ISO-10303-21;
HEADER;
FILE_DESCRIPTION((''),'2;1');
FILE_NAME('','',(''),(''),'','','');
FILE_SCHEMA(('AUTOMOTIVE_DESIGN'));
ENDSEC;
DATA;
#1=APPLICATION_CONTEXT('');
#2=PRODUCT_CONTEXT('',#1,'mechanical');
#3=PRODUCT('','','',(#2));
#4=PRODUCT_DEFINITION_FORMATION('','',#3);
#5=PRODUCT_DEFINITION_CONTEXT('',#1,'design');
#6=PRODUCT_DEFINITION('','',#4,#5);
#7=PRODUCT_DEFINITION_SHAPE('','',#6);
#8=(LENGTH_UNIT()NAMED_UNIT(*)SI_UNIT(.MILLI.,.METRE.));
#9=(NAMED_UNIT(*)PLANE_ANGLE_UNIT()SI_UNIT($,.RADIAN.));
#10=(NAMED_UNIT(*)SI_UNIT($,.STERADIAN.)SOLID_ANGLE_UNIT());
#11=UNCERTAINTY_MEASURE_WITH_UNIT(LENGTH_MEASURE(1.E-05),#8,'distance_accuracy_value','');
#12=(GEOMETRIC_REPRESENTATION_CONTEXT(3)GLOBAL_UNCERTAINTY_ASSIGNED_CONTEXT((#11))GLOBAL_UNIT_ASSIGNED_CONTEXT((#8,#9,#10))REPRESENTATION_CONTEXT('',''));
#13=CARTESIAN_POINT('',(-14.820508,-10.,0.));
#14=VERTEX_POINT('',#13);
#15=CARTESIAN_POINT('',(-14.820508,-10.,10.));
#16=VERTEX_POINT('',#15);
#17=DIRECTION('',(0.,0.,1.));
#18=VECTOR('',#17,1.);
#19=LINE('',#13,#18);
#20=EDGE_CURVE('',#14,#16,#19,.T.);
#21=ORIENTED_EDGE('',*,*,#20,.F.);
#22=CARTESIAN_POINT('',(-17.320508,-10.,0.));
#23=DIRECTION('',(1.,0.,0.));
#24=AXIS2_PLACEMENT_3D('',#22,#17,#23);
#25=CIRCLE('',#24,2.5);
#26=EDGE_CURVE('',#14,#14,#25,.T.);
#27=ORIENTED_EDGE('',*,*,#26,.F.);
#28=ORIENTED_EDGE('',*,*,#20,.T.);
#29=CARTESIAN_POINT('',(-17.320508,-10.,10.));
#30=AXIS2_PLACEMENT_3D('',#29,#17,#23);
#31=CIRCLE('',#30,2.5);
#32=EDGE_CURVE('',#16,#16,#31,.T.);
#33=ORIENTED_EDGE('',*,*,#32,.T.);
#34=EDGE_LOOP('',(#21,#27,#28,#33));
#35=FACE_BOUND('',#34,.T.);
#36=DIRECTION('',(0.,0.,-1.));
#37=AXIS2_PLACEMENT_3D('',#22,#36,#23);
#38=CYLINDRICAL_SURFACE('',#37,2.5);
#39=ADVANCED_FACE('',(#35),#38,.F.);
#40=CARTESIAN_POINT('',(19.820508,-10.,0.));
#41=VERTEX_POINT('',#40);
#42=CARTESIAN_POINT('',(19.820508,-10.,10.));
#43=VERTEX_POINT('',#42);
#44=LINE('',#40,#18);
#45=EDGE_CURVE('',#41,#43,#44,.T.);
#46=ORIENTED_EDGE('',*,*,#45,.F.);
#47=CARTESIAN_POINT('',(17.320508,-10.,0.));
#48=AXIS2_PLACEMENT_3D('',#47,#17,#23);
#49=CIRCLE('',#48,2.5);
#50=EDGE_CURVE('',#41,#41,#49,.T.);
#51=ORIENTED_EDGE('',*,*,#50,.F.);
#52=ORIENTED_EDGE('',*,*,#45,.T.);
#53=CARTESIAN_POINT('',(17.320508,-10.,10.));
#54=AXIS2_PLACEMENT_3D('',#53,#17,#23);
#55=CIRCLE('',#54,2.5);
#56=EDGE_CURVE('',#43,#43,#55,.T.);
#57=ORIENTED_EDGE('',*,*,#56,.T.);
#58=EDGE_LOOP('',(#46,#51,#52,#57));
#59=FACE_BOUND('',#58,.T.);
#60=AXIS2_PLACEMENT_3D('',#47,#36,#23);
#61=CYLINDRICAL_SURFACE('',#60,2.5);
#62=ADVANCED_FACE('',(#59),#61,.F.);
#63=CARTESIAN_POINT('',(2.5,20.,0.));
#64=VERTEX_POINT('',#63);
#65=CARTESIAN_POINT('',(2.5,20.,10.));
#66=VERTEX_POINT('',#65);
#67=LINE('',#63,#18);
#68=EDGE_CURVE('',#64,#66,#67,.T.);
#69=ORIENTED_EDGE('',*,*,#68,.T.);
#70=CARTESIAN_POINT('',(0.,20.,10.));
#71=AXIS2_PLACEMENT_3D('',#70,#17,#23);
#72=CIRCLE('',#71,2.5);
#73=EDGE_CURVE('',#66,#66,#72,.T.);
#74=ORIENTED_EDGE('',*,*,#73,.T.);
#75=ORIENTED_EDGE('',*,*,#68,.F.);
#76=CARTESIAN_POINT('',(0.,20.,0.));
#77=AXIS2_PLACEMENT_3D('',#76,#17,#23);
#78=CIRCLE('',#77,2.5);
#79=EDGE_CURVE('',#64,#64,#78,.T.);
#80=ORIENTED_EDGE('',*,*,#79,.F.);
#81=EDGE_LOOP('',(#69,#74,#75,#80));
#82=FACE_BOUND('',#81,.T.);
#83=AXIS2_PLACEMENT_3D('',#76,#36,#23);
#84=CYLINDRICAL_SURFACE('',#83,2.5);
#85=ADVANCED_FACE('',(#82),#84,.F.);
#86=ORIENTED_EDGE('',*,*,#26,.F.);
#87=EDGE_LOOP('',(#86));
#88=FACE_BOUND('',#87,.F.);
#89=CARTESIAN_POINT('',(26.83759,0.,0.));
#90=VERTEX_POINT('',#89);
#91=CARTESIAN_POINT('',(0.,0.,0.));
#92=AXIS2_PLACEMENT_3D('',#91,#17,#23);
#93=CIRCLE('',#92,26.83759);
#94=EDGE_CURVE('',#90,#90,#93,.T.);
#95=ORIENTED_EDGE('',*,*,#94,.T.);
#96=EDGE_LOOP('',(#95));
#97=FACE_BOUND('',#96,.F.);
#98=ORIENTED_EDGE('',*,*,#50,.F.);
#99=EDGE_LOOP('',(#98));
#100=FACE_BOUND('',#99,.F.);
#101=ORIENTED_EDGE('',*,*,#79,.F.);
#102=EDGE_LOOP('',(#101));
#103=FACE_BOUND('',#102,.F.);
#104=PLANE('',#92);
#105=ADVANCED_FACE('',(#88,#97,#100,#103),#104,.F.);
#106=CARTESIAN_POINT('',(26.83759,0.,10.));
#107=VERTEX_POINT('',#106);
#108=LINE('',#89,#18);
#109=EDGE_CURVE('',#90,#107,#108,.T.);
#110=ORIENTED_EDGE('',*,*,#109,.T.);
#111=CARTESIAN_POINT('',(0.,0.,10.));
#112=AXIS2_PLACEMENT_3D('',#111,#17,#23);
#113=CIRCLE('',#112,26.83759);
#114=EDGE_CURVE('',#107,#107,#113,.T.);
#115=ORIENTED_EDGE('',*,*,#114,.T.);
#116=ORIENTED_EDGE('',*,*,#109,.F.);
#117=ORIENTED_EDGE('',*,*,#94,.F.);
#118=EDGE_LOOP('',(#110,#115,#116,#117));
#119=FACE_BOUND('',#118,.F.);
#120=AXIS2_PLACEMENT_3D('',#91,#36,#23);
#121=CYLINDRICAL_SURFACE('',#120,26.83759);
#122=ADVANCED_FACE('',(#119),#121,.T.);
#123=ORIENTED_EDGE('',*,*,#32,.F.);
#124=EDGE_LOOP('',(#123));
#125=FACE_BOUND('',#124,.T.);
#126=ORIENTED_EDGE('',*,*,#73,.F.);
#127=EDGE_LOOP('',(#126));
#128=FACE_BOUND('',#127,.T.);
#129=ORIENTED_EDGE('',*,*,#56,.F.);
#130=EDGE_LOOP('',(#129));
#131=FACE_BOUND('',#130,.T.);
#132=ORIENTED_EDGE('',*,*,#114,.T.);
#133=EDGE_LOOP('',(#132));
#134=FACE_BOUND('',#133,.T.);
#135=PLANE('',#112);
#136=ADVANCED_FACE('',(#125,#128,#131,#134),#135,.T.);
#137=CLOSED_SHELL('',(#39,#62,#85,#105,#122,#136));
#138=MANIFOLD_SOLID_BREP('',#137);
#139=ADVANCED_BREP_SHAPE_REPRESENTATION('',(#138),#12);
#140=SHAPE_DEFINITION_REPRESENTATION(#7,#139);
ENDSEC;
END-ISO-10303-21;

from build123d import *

# Parameters (mm, degrees)
SKETCH_R   = 26.83759
SKETCH_R_2 = 2.5
PAD_DEPTH  = 10


with BuildPart() as part:
    # Sketch → Pad (new body)
    with BuildSketch(Plane.XY):
        Circle(SKETCH_R)
        with Locations((0, 20)):
            Circle(SKETCH_R_2, mode=Mode.SUBTRACT)
        with Locations((-17.320508, -10)):
            Circle(SKETCH_R_2, mode=Mode.SUBTRACT)
        with Locations((17.320508, -10)):
            Circle(SKETCH_R_2, mode=Mode.SUBTRACT)
    extrude(amount=PAD_DEPTH)


solid = part.part
